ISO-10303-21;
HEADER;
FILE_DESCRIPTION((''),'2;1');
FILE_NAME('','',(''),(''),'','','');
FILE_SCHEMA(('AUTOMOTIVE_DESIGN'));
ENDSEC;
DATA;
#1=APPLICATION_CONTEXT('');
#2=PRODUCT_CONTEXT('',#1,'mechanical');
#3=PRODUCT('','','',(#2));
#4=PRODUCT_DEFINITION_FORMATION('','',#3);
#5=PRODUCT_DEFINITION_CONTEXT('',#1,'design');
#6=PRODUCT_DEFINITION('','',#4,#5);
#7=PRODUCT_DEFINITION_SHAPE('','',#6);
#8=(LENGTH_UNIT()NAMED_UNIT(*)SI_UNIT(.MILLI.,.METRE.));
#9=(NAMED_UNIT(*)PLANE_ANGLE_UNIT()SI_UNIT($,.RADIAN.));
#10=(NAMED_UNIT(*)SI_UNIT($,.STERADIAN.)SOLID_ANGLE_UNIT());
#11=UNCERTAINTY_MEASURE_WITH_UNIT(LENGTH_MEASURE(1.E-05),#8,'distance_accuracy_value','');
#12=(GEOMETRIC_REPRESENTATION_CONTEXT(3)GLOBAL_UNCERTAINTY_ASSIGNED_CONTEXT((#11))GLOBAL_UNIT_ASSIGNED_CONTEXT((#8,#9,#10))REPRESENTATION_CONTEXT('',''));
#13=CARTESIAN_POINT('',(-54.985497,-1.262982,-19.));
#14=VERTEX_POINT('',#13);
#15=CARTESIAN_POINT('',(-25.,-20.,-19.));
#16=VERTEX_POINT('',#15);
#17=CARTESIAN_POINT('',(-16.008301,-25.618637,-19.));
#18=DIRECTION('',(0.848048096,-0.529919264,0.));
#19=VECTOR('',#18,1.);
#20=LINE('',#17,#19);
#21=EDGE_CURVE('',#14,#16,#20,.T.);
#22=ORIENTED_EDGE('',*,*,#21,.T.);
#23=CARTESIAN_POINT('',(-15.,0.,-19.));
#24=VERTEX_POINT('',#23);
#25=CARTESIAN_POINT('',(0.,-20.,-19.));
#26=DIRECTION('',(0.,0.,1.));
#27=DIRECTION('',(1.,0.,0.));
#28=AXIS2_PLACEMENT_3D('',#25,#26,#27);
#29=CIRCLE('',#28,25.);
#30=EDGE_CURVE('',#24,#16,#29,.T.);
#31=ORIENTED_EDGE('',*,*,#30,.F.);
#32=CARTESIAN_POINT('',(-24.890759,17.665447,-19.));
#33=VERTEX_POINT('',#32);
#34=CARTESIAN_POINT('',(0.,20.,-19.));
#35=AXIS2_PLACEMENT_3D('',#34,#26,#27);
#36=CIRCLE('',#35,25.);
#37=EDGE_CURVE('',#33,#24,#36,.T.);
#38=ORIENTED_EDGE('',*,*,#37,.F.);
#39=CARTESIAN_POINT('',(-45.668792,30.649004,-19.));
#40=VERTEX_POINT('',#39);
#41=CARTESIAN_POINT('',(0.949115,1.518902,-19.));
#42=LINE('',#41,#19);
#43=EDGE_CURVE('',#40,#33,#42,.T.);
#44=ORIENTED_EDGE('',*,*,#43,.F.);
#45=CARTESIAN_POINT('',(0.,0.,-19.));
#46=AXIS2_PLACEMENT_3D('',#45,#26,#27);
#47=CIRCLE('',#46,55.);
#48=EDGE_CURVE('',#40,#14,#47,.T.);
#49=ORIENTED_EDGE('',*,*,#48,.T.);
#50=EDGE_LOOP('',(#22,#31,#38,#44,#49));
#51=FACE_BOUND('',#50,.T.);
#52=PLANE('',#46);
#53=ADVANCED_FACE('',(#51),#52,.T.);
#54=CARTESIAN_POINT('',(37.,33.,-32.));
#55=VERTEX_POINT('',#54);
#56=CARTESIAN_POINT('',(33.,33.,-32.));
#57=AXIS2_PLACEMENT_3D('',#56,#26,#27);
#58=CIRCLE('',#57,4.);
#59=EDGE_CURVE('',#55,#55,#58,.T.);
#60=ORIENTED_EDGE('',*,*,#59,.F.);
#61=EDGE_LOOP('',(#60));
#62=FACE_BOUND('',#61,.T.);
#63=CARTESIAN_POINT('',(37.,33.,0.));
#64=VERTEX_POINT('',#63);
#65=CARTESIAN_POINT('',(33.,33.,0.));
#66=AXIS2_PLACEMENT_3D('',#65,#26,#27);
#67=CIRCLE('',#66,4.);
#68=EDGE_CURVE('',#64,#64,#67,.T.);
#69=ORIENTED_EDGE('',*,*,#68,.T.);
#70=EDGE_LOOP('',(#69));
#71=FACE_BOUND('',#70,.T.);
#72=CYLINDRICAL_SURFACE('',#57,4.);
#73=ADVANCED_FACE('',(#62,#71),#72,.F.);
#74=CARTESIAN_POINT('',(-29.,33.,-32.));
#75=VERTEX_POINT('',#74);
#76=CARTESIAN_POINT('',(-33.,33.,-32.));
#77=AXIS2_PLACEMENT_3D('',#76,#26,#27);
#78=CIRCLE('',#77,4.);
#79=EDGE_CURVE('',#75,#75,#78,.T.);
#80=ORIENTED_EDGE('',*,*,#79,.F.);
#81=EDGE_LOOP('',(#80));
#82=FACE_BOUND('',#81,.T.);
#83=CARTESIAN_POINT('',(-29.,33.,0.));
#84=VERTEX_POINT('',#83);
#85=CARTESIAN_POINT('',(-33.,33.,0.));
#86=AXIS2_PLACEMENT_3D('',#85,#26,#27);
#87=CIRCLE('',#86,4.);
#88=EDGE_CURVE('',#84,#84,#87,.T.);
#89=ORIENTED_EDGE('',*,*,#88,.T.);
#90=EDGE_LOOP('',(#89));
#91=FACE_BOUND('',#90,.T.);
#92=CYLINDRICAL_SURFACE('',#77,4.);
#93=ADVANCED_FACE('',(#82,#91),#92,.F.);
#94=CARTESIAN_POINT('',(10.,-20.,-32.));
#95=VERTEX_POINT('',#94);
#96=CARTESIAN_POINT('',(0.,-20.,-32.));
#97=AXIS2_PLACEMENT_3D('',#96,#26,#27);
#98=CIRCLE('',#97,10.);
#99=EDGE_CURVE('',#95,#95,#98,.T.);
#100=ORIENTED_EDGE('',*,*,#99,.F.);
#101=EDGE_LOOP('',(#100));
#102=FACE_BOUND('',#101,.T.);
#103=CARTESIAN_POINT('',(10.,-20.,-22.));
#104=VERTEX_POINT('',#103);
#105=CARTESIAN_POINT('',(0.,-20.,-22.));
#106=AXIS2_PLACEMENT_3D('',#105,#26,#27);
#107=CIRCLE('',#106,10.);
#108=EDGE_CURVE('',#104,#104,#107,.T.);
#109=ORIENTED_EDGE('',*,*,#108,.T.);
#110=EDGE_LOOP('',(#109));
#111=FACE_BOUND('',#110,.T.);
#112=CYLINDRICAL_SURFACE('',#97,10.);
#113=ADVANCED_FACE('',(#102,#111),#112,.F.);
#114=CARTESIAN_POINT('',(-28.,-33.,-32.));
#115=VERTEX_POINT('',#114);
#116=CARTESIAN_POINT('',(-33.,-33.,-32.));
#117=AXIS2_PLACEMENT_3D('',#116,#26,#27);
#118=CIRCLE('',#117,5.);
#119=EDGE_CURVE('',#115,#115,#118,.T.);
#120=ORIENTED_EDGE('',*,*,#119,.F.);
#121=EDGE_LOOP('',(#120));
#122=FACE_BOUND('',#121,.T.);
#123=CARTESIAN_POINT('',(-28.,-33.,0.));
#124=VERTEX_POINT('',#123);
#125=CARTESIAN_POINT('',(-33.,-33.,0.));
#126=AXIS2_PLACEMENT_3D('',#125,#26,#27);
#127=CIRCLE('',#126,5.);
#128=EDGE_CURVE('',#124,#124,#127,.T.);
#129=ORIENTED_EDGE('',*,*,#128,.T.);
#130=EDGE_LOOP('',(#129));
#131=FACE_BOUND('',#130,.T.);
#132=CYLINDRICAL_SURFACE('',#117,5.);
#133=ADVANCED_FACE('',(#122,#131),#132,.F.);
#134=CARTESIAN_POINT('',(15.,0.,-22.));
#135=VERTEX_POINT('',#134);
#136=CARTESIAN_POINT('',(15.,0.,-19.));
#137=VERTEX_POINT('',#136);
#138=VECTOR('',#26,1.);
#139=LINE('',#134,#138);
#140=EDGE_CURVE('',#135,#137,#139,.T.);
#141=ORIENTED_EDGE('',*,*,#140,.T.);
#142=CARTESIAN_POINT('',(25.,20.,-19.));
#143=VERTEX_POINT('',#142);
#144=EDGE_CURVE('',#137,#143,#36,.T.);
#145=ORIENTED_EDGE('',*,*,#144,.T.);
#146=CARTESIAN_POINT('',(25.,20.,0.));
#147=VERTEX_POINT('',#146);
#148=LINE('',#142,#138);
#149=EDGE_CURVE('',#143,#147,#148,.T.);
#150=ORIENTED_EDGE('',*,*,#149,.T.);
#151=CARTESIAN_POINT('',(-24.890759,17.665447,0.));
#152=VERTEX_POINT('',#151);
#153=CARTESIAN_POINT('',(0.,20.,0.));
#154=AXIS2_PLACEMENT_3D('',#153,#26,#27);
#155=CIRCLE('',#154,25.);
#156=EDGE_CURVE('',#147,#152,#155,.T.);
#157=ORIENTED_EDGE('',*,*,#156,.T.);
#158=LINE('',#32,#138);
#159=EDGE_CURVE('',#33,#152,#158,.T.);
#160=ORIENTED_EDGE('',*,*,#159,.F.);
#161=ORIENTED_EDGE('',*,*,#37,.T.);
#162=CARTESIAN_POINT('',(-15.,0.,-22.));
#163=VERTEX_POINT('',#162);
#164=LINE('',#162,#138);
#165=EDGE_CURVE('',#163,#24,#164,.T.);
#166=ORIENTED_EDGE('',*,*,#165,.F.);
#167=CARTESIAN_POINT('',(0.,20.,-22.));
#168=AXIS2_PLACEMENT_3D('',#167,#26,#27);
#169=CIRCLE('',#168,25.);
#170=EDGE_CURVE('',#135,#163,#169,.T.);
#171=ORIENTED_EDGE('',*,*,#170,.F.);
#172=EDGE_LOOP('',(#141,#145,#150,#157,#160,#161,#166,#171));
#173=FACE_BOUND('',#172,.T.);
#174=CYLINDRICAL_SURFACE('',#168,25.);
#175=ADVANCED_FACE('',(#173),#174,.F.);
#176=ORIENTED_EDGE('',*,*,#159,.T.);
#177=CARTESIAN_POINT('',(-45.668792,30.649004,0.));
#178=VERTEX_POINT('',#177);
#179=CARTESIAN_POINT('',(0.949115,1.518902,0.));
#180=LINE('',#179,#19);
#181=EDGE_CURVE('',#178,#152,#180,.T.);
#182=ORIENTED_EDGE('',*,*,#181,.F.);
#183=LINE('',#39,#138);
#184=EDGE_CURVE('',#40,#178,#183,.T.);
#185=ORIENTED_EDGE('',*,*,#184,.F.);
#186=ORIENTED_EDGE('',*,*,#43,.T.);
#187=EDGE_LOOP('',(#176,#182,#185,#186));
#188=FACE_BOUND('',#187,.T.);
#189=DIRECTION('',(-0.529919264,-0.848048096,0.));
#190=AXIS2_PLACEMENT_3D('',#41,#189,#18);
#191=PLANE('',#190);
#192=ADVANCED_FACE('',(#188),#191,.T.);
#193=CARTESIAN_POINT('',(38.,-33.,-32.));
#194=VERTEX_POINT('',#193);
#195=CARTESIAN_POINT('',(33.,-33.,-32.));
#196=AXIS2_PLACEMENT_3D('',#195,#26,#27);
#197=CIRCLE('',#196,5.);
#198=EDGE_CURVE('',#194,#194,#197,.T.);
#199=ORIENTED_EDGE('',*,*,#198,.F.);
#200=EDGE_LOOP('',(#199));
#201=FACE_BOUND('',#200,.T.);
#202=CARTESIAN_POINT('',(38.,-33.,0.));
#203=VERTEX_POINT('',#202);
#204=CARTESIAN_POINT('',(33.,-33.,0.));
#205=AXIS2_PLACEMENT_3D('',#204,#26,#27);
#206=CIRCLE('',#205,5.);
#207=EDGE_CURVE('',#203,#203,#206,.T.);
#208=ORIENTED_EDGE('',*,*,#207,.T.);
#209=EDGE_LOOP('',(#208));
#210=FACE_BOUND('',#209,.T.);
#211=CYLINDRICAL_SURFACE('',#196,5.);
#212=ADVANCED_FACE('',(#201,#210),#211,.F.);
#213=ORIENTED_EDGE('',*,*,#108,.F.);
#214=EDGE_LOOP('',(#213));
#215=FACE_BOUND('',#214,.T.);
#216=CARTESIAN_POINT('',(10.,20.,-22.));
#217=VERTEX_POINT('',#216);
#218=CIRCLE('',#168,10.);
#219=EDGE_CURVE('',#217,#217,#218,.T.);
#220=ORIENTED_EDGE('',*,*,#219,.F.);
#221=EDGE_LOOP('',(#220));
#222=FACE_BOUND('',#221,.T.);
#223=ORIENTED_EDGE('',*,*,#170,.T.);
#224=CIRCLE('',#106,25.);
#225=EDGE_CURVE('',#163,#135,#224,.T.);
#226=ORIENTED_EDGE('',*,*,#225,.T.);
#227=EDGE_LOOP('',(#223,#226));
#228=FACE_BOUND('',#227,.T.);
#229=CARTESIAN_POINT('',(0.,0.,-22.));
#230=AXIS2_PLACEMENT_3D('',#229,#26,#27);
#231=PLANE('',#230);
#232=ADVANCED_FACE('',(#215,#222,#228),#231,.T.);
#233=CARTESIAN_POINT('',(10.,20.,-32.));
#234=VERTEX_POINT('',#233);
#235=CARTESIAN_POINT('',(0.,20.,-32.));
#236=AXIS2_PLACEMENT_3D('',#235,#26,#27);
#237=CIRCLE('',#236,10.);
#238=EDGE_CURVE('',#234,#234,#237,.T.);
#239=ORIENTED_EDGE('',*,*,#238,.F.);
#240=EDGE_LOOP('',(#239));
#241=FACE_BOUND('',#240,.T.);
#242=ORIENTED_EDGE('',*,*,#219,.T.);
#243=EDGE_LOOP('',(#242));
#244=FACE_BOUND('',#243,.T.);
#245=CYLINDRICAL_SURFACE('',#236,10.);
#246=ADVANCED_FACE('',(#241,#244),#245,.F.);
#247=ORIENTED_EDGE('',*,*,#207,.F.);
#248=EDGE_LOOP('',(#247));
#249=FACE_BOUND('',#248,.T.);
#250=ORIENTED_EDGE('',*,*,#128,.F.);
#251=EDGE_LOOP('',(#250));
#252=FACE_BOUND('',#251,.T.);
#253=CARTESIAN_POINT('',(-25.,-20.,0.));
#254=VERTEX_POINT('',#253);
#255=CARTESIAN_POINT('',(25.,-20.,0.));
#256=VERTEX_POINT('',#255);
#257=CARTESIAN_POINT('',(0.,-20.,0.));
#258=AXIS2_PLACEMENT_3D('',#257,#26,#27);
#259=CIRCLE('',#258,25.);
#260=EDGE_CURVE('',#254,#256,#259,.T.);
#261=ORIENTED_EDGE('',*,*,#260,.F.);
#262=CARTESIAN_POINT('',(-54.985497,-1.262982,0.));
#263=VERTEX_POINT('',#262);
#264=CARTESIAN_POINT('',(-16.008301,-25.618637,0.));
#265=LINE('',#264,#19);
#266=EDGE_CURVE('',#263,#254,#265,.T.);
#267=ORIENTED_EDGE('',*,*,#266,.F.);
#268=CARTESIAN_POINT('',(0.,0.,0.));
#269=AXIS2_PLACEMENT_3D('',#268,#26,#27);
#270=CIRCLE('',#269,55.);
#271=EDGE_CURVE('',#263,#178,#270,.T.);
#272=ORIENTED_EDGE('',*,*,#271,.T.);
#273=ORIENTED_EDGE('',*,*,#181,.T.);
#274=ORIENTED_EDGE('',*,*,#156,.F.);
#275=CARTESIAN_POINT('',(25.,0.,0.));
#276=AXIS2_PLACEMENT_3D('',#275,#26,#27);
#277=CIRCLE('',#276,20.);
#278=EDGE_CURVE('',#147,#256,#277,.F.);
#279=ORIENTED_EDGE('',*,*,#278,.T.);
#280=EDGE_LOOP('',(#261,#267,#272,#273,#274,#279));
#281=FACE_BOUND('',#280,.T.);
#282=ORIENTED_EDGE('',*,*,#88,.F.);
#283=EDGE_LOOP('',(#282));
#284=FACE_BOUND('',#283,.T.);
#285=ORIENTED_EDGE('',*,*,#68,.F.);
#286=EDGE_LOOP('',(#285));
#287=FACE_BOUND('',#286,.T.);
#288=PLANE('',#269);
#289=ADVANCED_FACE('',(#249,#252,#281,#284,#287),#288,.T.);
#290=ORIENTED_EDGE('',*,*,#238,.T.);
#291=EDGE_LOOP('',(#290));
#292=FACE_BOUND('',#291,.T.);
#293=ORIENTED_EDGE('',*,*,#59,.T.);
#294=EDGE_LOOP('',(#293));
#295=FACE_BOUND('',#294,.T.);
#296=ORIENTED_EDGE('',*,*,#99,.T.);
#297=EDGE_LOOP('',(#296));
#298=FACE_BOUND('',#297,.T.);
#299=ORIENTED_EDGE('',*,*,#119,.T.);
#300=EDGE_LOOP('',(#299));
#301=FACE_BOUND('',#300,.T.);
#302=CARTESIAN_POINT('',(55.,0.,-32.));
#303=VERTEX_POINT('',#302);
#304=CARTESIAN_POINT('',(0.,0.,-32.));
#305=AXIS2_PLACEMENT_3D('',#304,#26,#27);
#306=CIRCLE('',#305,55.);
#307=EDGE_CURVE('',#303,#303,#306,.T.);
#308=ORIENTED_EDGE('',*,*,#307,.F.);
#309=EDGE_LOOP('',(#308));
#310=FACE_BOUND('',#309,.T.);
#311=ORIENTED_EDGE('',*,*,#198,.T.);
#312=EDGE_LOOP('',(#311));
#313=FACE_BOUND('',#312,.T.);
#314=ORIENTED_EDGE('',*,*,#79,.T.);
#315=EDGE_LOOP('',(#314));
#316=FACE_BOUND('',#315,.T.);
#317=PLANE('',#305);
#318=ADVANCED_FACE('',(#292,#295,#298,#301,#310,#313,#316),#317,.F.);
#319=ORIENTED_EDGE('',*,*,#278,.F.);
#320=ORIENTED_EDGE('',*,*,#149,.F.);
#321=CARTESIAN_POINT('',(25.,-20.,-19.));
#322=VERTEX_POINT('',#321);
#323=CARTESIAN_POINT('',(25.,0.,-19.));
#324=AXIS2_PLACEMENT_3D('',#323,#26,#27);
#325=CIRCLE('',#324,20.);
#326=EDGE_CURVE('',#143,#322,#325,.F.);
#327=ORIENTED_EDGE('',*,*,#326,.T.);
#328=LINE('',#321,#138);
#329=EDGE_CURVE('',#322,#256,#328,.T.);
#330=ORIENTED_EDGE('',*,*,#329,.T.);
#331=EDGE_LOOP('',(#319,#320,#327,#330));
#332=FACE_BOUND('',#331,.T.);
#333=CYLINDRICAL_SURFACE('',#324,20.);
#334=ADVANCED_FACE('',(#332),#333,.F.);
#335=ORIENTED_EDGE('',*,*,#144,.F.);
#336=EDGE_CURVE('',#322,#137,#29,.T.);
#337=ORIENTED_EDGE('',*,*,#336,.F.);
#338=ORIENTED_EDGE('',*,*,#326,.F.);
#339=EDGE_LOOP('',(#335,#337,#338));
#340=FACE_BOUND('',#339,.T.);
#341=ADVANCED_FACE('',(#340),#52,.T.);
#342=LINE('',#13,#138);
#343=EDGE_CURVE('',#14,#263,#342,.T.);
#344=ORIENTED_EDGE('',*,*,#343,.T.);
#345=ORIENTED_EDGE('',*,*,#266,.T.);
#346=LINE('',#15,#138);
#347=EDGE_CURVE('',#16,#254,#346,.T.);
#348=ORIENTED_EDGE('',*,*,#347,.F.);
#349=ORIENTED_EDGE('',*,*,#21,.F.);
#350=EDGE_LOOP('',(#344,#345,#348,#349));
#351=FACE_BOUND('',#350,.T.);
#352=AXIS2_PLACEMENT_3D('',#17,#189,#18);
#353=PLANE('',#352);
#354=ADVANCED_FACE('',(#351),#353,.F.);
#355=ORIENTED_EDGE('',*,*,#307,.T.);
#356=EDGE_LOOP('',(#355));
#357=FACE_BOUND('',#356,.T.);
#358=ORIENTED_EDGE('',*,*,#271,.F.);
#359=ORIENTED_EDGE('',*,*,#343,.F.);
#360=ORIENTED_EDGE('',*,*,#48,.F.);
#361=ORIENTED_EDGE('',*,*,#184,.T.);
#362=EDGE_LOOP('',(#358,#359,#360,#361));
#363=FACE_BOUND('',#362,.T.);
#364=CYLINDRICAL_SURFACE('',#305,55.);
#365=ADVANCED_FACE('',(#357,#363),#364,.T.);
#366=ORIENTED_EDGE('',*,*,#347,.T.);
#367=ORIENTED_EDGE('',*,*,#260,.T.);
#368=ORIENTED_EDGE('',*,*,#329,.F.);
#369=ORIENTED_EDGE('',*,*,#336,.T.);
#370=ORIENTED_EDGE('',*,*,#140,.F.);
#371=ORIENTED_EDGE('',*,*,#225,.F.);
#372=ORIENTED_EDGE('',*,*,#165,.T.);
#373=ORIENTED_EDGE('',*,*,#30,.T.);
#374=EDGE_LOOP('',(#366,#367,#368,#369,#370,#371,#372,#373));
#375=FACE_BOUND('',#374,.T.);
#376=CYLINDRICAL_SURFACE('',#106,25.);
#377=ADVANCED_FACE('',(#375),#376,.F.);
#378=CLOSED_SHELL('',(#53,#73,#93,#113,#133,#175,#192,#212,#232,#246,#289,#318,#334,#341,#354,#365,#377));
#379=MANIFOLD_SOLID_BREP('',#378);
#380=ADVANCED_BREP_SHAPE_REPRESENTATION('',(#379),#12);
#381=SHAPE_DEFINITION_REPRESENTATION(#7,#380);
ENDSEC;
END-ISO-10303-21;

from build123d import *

# Parameters (mm, degrees)
SKETCH1_R           = 55
BOSS_EXTRUDE1_DEPTH = 32
SKETCH1_19_R        = 10
CUT_EXTRUDE1_DEPTH  = 22
CUT_EXTRUDE2_DEPTH  = 19
SKETCH1_21_R        = 10
SKETCH1_21_R_2      = 4
SKETCH1_21_R_3      = 5
CUT_EXTRUDE3_DEPTH  = 85.107074613


with BuildPart() as part:
    # Sketch1 → Boss-Extrude1 (new body)
    with BuildSketch(Plane.XY):
        Circle(SKETCH1_R)
    extrude(amount=-BOSS_EXTRUDE1_DEPTH)

    # Sketch1<19> → Cut-Extrude1 (cut)
    # profile 1 of 3: a face of its own
    with BuildSketch(Plane.XY):
        with BuildLine():
            ThreePointArc((15, 0), (0, 45), (-15, 0))
            ThreePointArc((-15, 0), (0, -45), (15, 0))
        make_face()
        with Locations((0, -20)):
            Circle(SKETCH1_19_R, mode=Mode.SUBTRACT)
        with Locations((0, 20)):
            Circle(SKETCH1_19_R, mode=Mode.SUBTRACT)
    # profile 2 of 3: a face of its own
    with BuildSketch(Plane.XY):
        with Locations((0, -20)):
            Circle(SKETCH1_19_R)
    # profile 3 of 3: a face of its own
    with BuildSketch(Plane.XY):
        with Locations((0, 20)):
            Circle(SKETCH1_19_R)
    extrude(amount=-CUT_EXTRUDE1_DEPTH, mode=Mode.SUBTRACT)

    # Sketch1<20> → Cut-Extrude2 (cut)
    with BuildSketch(Plane.XY):
        with BuildLine():
            ThreePointArc((-45.668792135, 30.649003654), (-52.795976975, 15.41378653), (-54.985496966, -1.262981944))
            Line((-54.985496966, -1.262981944), (-25, -20))
            ThreePointArc((-25, -20), (-22.360679775, -8.819660113), (-15, 0))
            ThreePointArc((-15, 0), (-21.813646246, 7.786694246), (-24.890758601, 17.665447305))
            Line((-24.890758601, 17.665447305), (-45.668792135, 30.649003654))
        make_face()
        with BuildLine():
            ThreePointArc((15, 0), (22.360679775, -8.819660113), (25, -20))
            ThreePointArc((25, -20), (45, 0), (25, 20))
            ThreePointArc((25, 20), (22.360679775, 8.819660113), (15, 0))
        make_face()
    extrude(amount=-CUT_EXTRUDE2_DEPTH, mode=Mode.SUBTRACT)

    # Sketch1<21> → Cut-Extrude3 (cut, through all)
    with BuildSketch(Plane.XY):
        with Locations((0, 20)):
            Circle(SKETCH1_21_R)
        with Locations((0, -20)):
            Circle(SKETCH1_21_R)
        with Locations((-33, 33)):
            Circle(SKETCH1_21_R_2)
        with Locations((33, 33)):
            Circle(SKETCH1_21_R_2)
        with Locations((33, -33)):
            Circle(SKETCH1_21_R_3)
        with Locations((-33, -33)):
            Circle(SKETCH1_21_R_3)
    extrude(amount=-CUT_EXTRUDE3_DEPTH, mode=Mode.SUBTRACT)


solid = part.part
